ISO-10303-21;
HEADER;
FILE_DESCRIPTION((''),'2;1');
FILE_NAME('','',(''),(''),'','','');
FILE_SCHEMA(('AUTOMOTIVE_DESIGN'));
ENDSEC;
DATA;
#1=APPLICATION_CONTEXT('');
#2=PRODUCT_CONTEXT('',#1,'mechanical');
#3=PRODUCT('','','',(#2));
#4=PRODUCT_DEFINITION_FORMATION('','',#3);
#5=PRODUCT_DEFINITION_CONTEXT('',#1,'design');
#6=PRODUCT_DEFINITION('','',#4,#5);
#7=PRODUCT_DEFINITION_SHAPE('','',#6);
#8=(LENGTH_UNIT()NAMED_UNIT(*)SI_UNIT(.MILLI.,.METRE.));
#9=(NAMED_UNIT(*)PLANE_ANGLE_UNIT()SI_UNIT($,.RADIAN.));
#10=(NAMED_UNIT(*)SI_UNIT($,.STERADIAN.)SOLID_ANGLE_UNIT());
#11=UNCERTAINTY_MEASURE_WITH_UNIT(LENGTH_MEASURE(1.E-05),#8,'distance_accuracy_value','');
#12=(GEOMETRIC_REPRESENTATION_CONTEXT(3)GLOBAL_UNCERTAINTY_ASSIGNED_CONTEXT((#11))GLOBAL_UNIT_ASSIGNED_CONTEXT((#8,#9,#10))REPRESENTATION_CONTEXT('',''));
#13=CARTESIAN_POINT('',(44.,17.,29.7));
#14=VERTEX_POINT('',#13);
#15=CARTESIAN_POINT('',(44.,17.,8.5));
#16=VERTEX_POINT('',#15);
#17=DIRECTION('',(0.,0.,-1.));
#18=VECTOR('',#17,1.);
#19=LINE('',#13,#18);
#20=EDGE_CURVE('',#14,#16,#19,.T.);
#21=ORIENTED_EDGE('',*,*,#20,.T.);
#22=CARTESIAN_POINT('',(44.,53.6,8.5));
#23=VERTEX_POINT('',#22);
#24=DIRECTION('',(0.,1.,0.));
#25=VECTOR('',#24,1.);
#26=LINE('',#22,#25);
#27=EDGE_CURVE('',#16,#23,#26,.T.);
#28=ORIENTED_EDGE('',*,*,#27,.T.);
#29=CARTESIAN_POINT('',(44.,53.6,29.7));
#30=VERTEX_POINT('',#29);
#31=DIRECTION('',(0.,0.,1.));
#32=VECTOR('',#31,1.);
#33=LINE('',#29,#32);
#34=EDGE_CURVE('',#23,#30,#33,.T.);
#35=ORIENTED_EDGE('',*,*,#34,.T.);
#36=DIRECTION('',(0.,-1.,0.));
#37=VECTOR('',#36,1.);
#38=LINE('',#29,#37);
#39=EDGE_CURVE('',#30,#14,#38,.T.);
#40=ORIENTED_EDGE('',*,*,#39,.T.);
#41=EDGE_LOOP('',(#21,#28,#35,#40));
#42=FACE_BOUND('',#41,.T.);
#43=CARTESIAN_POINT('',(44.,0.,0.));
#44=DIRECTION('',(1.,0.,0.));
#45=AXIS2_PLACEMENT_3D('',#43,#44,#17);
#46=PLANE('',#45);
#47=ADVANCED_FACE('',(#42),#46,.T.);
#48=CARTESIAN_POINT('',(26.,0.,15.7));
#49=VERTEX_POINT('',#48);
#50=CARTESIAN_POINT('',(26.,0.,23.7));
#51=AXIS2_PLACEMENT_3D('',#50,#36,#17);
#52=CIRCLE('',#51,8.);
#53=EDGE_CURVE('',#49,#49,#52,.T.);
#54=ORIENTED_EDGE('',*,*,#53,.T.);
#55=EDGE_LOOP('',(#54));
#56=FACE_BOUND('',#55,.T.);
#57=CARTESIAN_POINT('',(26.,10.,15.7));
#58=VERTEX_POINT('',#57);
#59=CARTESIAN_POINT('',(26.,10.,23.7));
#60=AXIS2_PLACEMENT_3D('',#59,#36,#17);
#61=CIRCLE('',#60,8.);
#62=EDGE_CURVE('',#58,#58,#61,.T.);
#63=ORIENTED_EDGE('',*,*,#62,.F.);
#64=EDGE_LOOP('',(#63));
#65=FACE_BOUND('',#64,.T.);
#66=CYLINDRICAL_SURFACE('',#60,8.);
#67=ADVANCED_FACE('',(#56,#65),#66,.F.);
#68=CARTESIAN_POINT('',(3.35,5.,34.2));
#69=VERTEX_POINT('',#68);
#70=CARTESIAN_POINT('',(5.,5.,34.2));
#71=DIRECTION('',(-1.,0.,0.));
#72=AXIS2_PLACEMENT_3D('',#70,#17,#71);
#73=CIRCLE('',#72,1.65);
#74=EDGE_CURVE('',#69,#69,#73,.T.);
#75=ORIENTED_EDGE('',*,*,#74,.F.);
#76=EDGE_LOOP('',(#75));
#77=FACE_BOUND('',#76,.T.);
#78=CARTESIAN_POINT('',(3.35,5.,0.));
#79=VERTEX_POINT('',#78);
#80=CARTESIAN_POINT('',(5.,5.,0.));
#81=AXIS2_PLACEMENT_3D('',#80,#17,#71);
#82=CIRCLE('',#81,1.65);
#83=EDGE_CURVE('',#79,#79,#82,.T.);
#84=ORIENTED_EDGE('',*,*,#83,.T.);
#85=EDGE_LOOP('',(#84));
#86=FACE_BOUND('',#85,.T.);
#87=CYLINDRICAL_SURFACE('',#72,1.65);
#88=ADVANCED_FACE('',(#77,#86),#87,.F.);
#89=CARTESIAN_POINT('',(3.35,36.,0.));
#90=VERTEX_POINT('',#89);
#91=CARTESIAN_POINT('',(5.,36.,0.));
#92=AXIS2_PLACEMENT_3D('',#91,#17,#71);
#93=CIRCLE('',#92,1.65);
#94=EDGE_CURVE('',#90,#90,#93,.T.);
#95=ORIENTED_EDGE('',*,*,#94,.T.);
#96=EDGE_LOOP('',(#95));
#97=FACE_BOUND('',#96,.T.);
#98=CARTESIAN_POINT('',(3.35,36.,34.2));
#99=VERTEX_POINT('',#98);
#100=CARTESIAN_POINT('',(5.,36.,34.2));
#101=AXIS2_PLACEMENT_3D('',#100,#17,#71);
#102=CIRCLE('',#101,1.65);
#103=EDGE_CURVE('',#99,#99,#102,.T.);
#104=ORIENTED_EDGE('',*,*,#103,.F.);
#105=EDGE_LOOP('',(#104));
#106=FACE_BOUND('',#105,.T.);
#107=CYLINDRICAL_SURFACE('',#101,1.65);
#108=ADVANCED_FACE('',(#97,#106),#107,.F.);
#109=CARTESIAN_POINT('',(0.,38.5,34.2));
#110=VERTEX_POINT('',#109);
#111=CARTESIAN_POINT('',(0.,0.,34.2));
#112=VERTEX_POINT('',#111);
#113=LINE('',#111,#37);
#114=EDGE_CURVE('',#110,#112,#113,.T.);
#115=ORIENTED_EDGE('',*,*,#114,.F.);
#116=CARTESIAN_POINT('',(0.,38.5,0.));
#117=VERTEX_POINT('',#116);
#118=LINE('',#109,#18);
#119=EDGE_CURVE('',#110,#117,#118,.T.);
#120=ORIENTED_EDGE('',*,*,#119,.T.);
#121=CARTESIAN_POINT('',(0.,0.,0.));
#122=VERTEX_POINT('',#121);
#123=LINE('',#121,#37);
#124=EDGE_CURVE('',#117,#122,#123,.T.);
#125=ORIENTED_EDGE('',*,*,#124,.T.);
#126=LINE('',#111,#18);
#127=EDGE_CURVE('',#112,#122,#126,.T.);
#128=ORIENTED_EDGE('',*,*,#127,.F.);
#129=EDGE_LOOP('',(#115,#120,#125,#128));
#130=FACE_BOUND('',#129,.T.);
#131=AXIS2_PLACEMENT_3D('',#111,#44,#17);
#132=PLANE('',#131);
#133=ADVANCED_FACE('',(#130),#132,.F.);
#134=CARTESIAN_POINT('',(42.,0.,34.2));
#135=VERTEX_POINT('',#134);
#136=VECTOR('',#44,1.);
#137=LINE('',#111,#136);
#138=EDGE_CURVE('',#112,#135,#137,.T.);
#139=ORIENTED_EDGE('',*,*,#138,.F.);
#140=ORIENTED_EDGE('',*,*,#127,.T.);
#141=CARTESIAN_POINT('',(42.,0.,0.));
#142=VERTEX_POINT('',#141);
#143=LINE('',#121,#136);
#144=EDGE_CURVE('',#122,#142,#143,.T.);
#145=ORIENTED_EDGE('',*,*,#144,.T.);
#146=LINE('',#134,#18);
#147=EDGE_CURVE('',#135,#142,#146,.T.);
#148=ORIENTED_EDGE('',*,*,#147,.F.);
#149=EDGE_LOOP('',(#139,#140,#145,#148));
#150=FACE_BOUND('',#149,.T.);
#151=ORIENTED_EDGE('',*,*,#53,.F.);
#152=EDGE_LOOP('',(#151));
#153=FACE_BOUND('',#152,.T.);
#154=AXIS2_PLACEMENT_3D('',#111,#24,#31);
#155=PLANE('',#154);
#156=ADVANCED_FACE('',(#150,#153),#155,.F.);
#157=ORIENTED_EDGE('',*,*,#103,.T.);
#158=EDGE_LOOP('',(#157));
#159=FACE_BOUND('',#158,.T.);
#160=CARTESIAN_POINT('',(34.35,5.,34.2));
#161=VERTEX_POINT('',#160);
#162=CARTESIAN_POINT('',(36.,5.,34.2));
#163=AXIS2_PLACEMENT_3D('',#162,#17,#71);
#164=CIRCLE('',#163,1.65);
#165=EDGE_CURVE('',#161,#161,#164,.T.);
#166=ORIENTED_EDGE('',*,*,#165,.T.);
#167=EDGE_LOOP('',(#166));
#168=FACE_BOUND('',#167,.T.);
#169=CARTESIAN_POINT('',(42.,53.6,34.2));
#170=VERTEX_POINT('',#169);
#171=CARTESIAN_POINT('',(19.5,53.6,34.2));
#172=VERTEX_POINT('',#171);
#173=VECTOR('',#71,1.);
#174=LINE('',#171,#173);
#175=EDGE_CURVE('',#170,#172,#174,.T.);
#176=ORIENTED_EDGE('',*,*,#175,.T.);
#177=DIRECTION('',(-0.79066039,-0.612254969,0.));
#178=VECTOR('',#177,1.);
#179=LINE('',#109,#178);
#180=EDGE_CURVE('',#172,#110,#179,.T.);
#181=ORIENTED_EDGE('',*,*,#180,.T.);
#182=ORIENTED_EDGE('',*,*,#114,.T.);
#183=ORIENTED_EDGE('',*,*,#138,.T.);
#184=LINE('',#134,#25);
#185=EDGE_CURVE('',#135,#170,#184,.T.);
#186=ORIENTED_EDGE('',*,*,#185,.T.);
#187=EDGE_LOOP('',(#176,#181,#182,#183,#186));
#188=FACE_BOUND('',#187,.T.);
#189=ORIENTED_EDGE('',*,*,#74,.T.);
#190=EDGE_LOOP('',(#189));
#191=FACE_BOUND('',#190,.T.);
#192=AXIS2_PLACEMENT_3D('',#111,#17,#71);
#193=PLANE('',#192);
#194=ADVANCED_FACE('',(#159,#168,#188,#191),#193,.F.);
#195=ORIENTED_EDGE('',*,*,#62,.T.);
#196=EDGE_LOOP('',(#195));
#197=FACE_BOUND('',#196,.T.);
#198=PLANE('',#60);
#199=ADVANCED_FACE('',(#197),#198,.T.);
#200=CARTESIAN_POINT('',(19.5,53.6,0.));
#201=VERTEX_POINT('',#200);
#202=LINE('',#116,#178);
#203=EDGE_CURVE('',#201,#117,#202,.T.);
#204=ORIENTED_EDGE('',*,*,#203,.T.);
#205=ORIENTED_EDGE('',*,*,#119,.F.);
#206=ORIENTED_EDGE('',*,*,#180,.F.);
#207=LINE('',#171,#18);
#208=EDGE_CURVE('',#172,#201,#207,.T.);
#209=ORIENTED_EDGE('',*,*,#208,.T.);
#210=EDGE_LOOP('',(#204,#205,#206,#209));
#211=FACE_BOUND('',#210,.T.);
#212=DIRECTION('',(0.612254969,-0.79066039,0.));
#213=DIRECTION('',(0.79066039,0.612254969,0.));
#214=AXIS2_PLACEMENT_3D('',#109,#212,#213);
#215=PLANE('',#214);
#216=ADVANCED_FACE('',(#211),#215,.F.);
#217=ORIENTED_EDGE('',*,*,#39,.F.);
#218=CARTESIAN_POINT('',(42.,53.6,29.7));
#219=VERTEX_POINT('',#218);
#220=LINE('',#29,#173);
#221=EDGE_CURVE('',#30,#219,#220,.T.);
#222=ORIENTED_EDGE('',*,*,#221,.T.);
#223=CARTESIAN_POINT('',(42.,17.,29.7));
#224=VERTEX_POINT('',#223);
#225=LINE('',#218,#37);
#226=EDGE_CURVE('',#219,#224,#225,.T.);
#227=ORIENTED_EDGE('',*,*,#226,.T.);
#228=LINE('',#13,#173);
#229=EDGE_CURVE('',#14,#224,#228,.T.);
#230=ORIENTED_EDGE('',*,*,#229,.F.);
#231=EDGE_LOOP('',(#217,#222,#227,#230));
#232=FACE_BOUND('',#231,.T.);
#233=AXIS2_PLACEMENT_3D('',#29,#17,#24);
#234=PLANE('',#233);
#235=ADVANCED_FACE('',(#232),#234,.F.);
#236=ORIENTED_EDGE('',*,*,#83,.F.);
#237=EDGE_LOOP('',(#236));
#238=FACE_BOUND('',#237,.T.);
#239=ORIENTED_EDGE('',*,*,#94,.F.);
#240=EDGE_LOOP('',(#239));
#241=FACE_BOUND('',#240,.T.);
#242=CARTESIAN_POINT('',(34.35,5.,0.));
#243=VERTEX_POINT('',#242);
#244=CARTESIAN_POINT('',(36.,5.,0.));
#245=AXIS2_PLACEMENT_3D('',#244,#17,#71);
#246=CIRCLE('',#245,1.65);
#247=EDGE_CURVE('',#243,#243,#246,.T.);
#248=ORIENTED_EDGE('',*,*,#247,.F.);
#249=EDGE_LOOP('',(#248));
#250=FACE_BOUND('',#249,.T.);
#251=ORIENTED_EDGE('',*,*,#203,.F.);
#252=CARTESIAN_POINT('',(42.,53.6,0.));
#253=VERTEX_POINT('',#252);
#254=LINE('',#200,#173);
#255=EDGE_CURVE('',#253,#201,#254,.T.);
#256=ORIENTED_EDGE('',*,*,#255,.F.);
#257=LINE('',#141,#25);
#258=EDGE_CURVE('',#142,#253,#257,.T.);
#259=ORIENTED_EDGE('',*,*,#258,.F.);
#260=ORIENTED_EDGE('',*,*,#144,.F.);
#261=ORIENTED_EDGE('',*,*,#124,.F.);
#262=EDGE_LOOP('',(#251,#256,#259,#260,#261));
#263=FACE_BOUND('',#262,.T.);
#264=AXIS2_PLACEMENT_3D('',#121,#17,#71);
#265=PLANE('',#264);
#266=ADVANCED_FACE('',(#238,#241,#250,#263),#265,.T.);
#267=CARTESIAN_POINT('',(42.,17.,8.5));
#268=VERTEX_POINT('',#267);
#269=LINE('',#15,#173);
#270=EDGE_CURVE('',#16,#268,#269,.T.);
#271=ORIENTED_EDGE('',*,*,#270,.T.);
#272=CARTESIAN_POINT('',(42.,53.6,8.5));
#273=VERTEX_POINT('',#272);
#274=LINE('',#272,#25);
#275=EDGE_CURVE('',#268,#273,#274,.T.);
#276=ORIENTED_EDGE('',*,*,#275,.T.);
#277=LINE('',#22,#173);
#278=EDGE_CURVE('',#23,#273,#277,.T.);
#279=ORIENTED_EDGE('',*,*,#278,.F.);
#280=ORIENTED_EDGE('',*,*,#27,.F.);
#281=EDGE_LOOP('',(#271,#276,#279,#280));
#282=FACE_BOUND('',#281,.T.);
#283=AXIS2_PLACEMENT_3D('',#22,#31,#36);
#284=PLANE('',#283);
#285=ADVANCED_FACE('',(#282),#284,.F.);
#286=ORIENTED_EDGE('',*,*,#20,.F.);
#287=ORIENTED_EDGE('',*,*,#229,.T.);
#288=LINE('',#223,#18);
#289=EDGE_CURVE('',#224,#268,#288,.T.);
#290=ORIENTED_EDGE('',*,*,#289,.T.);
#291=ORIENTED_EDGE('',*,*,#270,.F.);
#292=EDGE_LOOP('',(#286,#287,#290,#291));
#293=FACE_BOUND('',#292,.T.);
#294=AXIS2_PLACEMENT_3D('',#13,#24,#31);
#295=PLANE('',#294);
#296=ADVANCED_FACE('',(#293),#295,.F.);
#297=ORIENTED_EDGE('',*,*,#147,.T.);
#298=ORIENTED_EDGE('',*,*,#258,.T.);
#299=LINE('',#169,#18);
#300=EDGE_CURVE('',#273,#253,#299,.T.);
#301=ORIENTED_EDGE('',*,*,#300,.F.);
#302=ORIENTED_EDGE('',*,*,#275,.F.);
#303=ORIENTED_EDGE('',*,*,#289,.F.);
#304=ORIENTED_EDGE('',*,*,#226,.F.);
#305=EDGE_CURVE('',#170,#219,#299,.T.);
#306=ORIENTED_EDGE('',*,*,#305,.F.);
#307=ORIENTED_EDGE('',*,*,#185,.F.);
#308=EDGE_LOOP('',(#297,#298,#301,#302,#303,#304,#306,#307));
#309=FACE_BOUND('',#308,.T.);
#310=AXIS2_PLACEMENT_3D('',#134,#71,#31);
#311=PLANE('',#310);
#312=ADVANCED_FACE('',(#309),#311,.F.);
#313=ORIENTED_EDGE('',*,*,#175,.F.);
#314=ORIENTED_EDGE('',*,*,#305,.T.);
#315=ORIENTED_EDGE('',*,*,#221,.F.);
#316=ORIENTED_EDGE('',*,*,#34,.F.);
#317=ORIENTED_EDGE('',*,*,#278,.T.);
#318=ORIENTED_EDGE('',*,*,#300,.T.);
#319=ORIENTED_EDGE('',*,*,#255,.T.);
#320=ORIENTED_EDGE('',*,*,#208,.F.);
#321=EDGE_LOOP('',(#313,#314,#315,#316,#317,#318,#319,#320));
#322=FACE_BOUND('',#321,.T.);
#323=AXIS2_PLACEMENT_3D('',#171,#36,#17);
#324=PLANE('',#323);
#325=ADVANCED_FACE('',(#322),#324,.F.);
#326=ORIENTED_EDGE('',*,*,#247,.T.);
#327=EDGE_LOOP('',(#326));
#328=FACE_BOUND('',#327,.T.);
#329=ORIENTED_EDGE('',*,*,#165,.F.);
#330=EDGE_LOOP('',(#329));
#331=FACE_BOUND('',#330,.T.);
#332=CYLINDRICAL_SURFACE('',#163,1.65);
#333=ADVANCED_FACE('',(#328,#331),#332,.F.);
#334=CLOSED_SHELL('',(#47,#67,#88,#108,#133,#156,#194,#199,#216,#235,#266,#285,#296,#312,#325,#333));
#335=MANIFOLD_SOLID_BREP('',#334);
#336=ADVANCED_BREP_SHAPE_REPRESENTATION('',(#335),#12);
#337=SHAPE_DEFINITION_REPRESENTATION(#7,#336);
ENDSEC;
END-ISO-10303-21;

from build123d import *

# Parameters (mm, degrees)
BOSS_EXTRUDE1_DEPTH = 34.2
SKETCH2_R           = 8
CUT_EXTRUDE1_DEPTH  = 10
SKETCH3_W           = 21.2
SKETCH3_H           = 36.6
BOSS_EXTRUDE2_DEPTH = 2
SKETCH5_R           = 1.65
CUT_EXTRUDE4_DEPTH  = 78.321407126


with BuildPart() as part:
    # Sketch1 → Boss-Extrude1 (new body)
    with BuildSketch(Plane.XY):
        Polygon((0, 38.5), (19.5, 53.6), (42, 53.6), (42, 0), (0, 0), align=None)
    extrude(amount=BOSS_EXTRUDE1_DEPTH)

    # Sketch2 → Cut-Extrude1 (cut)
    with BuildSketch(Plane.XZ):
        with Locations(Location((26, 23.7, 0), (0, 0, 270))):
            Circle(SKETCH2_R)
    extrude(amount=-CUT_EXTRUDE1_DEPTH, mode=Mode.SUBTRACT)

    # Sketch3 → Boss-Extrude2 (add)
    with BuildSketch(Plane(origin=(42, 0, 0), x_dir=(0, 0, -1), z_dir=(1, 0, 0))):
        with Locations((-19.1, 35.3)):
            Rectangle(SKETCH3_W, SKETCH3_H)
    extrude(amount=BOSS_EXTRUDE2_DEPTH)

    # Sketch5 → Cut-Extrude4 (cut, through all)
    with BuildSketch(Plane(origin=(0, 0, 0), x_dir=(-1, 0, 0), z_dir=(0, 0, -1))):
        with Locations((-36, 5)):
            Circle(SKETCH5_R)
        with Locations((-5, 5)):
            Circle(SKETCH5_R)
        with Locations((-5, 36)):
            Circle(SKETCH5_R)
    extrude(amount=-CUT_EXTRUDE4_DEPTH, mode=Mode.SUBTRACT)


solid = part.part
